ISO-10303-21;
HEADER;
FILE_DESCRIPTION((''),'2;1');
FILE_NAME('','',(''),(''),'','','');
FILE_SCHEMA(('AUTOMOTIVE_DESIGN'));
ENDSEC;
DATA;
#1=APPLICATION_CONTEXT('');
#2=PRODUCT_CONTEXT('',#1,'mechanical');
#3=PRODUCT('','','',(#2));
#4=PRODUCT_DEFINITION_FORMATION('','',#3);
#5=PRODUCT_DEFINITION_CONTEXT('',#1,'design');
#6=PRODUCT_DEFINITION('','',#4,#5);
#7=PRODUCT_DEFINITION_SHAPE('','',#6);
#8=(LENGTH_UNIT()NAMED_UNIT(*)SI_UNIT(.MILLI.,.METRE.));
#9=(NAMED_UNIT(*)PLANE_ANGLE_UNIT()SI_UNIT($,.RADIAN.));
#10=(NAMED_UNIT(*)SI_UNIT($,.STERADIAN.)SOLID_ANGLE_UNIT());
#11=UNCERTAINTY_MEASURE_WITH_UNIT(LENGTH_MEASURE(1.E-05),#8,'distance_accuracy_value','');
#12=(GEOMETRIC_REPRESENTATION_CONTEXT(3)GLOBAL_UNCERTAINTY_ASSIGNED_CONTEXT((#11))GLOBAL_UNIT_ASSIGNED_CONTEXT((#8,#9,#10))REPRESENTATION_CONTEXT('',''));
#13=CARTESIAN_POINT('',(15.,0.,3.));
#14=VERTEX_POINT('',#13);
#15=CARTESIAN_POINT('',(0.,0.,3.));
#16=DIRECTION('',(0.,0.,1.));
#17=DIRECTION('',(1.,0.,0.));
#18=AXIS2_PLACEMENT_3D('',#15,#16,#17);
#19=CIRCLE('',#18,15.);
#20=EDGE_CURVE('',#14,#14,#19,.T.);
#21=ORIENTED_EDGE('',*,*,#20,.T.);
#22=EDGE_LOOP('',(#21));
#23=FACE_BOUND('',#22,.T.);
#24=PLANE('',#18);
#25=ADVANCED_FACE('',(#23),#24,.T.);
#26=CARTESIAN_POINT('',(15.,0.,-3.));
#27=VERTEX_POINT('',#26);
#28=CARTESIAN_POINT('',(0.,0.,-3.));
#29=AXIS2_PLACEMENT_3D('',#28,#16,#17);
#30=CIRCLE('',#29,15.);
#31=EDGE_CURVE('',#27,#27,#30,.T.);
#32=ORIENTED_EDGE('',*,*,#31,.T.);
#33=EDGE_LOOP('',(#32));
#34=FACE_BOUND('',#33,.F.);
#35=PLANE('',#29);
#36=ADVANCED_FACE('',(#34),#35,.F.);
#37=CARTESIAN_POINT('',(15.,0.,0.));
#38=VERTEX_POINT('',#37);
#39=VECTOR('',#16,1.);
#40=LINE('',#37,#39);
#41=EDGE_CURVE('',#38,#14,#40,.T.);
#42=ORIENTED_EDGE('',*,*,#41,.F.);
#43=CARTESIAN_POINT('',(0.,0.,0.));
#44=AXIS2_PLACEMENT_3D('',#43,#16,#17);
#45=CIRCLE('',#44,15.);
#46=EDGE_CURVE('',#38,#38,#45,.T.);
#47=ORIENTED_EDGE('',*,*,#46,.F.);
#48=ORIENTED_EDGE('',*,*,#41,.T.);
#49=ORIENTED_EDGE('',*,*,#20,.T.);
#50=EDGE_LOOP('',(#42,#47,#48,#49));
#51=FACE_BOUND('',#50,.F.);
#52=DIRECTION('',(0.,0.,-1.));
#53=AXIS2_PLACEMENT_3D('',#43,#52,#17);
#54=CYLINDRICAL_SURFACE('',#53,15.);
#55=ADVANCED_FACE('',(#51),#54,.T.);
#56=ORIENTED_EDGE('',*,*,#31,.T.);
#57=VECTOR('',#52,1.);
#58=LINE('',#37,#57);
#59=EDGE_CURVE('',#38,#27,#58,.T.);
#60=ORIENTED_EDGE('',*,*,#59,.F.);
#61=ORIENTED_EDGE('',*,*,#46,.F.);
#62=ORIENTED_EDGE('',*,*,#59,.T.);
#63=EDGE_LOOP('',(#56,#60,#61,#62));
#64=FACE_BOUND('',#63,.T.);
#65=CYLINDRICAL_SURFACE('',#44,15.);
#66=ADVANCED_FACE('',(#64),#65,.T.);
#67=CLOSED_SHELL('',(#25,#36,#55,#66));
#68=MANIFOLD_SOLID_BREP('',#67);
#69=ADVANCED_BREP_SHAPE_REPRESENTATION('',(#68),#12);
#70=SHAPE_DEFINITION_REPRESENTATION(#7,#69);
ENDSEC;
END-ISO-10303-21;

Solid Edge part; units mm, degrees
sketch "Sketch1" plane through (0, 0, 0) normal (0, 0, 1) x (1, 0, 0)
  circle A0 centre (0, 0) radius 15
extrude "Protrusion1" add sketch "Sketch1" along normal mid plane 6
